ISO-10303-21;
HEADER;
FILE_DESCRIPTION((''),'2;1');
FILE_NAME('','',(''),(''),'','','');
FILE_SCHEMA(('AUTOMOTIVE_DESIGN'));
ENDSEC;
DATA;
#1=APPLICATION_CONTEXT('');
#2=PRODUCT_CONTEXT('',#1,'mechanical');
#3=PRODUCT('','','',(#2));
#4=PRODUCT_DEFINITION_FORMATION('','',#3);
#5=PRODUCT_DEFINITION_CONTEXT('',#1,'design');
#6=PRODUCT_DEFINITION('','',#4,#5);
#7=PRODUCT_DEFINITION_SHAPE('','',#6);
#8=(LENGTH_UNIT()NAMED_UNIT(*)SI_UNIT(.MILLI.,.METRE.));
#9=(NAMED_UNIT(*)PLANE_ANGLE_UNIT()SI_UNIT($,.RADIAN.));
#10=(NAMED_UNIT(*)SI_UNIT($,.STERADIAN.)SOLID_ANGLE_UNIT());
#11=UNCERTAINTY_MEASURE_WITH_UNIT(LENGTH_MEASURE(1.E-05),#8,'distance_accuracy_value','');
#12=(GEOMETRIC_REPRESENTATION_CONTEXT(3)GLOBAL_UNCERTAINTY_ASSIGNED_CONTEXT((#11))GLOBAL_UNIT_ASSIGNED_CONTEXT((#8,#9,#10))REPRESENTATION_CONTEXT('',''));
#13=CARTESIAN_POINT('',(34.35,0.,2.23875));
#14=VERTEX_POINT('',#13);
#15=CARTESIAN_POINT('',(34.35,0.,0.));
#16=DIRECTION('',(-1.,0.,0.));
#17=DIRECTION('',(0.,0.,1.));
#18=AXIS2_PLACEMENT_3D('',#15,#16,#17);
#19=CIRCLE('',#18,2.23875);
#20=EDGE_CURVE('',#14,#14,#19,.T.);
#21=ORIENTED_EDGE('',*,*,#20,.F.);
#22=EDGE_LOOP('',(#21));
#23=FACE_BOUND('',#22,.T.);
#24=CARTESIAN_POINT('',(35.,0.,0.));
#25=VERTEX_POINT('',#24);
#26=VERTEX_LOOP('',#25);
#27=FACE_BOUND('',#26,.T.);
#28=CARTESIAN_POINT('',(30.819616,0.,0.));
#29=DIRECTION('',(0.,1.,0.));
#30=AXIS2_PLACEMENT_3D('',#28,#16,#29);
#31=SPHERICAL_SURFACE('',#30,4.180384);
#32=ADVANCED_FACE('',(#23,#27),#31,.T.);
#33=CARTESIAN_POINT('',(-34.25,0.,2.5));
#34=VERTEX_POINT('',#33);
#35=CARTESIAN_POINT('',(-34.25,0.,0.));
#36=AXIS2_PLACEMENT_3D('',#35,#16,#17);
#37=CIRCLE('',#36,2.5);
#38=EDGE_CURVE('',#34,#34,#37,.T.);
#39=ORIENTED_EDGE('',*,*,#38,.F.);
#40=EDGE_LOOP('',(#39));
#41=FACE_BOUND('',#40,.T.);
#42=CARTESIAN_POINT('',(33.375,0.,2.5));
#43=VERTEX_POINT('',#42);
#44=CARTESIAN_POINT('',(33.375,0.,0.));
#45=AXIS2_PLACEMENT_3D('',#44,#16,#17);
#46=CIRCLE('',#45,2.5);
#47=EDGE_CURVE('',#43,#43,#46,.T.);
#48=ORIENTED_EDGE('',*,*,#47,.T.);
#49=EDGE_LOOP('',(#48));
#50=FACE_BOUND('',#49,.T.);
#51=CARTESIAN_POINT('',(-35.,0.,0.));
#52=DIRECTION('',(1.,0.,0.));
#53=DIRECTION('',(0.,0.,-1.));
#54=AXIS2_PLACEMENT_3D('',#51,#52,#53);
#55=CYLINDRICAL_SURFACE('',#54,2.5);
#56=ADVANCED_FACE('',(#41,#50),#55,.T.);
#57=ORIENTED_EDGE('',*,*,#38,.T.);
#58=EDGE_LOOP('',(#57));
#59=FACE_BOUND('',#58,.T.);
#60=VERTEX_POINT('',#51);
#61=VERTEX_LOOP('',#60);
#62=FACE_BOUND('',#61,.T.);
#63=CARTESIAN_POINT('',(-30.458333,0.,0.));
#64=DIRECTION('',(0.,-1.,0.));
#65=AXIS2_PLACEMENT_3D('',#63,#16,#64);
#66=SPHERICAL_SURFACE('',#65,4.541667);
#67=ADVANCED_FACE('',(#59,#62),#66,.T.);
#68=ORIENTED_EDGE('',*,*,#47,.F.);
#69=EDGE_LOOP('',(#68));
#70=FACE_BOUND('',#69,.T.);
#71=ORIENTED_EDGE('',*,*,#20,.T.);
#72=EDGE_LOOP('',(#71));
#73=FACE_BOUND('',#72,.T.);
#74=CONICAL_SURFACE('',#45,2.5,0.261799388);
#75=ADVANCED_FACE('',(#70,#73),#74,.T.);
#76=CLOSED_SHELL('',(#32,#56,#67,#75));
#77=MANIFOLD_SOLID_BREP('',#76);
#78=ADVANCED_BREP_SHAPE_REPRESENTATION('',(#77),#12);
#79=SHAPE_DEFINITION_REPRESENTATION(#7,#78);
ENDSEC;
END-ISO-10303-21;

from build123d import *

# Parameters (mm, degrees)
SKETCH2_R           = 2.5
EXTRUDE1_DEPTH      = 35
EXTRUDE1_DEPTH_BACK = 35


with BuildPart() as part:
    # Sketch2 → Extrude1 (new body, two sides)
    with BuildSketch(Plane(origin=(0, 0, 0), x_dir=(0, 0, -1), z_dir=(1, 0, 0))) as extrude1_sk:
        Circle(SKETCH2_R)
    extrude(amount=EXTRUDE1_DEPTH)
    extrude(extrude1_sk.sketch, amount=-EXTRUDE1_DEPTH_BACK)

    # Sketch5 → Cut-Revolve1 (revolve, cut)
    with BuildSketch(Plane.XY):
        with BuildLine():
            Line((33.375, 2.5), (33.375, 3))
            Line((33.375, 3), (35.5, 3))
            Line((35.5, 3), (35.5, 0))
            Line((35.5, 0), (35, 0))
            ThreePointArc((35, 0), (34.834212566, 1.165600649), (34.35, 2.238749537))
            Line((34.35, 2.238749537), (33.375, 2.5))
        make_face()
        with BuildLine():
            Line((-34.25, 2.5), (-34.25, 3))
            Line((-34.25, 3), (-35.5, 3))
            Line((-35.5, 3), (-35.5, 0))
            Line((-35.5, 0), (-35, 0))
            ThreePointArc((-35, 0), (-34.808461045, 1.305038314), (-34.25, 2.5))
        make_face()
    revolve(axis=Axis((-35, 0, 0), (1, 0, 0)), mode=Mode.SUBTRACT)


solid = part.part
